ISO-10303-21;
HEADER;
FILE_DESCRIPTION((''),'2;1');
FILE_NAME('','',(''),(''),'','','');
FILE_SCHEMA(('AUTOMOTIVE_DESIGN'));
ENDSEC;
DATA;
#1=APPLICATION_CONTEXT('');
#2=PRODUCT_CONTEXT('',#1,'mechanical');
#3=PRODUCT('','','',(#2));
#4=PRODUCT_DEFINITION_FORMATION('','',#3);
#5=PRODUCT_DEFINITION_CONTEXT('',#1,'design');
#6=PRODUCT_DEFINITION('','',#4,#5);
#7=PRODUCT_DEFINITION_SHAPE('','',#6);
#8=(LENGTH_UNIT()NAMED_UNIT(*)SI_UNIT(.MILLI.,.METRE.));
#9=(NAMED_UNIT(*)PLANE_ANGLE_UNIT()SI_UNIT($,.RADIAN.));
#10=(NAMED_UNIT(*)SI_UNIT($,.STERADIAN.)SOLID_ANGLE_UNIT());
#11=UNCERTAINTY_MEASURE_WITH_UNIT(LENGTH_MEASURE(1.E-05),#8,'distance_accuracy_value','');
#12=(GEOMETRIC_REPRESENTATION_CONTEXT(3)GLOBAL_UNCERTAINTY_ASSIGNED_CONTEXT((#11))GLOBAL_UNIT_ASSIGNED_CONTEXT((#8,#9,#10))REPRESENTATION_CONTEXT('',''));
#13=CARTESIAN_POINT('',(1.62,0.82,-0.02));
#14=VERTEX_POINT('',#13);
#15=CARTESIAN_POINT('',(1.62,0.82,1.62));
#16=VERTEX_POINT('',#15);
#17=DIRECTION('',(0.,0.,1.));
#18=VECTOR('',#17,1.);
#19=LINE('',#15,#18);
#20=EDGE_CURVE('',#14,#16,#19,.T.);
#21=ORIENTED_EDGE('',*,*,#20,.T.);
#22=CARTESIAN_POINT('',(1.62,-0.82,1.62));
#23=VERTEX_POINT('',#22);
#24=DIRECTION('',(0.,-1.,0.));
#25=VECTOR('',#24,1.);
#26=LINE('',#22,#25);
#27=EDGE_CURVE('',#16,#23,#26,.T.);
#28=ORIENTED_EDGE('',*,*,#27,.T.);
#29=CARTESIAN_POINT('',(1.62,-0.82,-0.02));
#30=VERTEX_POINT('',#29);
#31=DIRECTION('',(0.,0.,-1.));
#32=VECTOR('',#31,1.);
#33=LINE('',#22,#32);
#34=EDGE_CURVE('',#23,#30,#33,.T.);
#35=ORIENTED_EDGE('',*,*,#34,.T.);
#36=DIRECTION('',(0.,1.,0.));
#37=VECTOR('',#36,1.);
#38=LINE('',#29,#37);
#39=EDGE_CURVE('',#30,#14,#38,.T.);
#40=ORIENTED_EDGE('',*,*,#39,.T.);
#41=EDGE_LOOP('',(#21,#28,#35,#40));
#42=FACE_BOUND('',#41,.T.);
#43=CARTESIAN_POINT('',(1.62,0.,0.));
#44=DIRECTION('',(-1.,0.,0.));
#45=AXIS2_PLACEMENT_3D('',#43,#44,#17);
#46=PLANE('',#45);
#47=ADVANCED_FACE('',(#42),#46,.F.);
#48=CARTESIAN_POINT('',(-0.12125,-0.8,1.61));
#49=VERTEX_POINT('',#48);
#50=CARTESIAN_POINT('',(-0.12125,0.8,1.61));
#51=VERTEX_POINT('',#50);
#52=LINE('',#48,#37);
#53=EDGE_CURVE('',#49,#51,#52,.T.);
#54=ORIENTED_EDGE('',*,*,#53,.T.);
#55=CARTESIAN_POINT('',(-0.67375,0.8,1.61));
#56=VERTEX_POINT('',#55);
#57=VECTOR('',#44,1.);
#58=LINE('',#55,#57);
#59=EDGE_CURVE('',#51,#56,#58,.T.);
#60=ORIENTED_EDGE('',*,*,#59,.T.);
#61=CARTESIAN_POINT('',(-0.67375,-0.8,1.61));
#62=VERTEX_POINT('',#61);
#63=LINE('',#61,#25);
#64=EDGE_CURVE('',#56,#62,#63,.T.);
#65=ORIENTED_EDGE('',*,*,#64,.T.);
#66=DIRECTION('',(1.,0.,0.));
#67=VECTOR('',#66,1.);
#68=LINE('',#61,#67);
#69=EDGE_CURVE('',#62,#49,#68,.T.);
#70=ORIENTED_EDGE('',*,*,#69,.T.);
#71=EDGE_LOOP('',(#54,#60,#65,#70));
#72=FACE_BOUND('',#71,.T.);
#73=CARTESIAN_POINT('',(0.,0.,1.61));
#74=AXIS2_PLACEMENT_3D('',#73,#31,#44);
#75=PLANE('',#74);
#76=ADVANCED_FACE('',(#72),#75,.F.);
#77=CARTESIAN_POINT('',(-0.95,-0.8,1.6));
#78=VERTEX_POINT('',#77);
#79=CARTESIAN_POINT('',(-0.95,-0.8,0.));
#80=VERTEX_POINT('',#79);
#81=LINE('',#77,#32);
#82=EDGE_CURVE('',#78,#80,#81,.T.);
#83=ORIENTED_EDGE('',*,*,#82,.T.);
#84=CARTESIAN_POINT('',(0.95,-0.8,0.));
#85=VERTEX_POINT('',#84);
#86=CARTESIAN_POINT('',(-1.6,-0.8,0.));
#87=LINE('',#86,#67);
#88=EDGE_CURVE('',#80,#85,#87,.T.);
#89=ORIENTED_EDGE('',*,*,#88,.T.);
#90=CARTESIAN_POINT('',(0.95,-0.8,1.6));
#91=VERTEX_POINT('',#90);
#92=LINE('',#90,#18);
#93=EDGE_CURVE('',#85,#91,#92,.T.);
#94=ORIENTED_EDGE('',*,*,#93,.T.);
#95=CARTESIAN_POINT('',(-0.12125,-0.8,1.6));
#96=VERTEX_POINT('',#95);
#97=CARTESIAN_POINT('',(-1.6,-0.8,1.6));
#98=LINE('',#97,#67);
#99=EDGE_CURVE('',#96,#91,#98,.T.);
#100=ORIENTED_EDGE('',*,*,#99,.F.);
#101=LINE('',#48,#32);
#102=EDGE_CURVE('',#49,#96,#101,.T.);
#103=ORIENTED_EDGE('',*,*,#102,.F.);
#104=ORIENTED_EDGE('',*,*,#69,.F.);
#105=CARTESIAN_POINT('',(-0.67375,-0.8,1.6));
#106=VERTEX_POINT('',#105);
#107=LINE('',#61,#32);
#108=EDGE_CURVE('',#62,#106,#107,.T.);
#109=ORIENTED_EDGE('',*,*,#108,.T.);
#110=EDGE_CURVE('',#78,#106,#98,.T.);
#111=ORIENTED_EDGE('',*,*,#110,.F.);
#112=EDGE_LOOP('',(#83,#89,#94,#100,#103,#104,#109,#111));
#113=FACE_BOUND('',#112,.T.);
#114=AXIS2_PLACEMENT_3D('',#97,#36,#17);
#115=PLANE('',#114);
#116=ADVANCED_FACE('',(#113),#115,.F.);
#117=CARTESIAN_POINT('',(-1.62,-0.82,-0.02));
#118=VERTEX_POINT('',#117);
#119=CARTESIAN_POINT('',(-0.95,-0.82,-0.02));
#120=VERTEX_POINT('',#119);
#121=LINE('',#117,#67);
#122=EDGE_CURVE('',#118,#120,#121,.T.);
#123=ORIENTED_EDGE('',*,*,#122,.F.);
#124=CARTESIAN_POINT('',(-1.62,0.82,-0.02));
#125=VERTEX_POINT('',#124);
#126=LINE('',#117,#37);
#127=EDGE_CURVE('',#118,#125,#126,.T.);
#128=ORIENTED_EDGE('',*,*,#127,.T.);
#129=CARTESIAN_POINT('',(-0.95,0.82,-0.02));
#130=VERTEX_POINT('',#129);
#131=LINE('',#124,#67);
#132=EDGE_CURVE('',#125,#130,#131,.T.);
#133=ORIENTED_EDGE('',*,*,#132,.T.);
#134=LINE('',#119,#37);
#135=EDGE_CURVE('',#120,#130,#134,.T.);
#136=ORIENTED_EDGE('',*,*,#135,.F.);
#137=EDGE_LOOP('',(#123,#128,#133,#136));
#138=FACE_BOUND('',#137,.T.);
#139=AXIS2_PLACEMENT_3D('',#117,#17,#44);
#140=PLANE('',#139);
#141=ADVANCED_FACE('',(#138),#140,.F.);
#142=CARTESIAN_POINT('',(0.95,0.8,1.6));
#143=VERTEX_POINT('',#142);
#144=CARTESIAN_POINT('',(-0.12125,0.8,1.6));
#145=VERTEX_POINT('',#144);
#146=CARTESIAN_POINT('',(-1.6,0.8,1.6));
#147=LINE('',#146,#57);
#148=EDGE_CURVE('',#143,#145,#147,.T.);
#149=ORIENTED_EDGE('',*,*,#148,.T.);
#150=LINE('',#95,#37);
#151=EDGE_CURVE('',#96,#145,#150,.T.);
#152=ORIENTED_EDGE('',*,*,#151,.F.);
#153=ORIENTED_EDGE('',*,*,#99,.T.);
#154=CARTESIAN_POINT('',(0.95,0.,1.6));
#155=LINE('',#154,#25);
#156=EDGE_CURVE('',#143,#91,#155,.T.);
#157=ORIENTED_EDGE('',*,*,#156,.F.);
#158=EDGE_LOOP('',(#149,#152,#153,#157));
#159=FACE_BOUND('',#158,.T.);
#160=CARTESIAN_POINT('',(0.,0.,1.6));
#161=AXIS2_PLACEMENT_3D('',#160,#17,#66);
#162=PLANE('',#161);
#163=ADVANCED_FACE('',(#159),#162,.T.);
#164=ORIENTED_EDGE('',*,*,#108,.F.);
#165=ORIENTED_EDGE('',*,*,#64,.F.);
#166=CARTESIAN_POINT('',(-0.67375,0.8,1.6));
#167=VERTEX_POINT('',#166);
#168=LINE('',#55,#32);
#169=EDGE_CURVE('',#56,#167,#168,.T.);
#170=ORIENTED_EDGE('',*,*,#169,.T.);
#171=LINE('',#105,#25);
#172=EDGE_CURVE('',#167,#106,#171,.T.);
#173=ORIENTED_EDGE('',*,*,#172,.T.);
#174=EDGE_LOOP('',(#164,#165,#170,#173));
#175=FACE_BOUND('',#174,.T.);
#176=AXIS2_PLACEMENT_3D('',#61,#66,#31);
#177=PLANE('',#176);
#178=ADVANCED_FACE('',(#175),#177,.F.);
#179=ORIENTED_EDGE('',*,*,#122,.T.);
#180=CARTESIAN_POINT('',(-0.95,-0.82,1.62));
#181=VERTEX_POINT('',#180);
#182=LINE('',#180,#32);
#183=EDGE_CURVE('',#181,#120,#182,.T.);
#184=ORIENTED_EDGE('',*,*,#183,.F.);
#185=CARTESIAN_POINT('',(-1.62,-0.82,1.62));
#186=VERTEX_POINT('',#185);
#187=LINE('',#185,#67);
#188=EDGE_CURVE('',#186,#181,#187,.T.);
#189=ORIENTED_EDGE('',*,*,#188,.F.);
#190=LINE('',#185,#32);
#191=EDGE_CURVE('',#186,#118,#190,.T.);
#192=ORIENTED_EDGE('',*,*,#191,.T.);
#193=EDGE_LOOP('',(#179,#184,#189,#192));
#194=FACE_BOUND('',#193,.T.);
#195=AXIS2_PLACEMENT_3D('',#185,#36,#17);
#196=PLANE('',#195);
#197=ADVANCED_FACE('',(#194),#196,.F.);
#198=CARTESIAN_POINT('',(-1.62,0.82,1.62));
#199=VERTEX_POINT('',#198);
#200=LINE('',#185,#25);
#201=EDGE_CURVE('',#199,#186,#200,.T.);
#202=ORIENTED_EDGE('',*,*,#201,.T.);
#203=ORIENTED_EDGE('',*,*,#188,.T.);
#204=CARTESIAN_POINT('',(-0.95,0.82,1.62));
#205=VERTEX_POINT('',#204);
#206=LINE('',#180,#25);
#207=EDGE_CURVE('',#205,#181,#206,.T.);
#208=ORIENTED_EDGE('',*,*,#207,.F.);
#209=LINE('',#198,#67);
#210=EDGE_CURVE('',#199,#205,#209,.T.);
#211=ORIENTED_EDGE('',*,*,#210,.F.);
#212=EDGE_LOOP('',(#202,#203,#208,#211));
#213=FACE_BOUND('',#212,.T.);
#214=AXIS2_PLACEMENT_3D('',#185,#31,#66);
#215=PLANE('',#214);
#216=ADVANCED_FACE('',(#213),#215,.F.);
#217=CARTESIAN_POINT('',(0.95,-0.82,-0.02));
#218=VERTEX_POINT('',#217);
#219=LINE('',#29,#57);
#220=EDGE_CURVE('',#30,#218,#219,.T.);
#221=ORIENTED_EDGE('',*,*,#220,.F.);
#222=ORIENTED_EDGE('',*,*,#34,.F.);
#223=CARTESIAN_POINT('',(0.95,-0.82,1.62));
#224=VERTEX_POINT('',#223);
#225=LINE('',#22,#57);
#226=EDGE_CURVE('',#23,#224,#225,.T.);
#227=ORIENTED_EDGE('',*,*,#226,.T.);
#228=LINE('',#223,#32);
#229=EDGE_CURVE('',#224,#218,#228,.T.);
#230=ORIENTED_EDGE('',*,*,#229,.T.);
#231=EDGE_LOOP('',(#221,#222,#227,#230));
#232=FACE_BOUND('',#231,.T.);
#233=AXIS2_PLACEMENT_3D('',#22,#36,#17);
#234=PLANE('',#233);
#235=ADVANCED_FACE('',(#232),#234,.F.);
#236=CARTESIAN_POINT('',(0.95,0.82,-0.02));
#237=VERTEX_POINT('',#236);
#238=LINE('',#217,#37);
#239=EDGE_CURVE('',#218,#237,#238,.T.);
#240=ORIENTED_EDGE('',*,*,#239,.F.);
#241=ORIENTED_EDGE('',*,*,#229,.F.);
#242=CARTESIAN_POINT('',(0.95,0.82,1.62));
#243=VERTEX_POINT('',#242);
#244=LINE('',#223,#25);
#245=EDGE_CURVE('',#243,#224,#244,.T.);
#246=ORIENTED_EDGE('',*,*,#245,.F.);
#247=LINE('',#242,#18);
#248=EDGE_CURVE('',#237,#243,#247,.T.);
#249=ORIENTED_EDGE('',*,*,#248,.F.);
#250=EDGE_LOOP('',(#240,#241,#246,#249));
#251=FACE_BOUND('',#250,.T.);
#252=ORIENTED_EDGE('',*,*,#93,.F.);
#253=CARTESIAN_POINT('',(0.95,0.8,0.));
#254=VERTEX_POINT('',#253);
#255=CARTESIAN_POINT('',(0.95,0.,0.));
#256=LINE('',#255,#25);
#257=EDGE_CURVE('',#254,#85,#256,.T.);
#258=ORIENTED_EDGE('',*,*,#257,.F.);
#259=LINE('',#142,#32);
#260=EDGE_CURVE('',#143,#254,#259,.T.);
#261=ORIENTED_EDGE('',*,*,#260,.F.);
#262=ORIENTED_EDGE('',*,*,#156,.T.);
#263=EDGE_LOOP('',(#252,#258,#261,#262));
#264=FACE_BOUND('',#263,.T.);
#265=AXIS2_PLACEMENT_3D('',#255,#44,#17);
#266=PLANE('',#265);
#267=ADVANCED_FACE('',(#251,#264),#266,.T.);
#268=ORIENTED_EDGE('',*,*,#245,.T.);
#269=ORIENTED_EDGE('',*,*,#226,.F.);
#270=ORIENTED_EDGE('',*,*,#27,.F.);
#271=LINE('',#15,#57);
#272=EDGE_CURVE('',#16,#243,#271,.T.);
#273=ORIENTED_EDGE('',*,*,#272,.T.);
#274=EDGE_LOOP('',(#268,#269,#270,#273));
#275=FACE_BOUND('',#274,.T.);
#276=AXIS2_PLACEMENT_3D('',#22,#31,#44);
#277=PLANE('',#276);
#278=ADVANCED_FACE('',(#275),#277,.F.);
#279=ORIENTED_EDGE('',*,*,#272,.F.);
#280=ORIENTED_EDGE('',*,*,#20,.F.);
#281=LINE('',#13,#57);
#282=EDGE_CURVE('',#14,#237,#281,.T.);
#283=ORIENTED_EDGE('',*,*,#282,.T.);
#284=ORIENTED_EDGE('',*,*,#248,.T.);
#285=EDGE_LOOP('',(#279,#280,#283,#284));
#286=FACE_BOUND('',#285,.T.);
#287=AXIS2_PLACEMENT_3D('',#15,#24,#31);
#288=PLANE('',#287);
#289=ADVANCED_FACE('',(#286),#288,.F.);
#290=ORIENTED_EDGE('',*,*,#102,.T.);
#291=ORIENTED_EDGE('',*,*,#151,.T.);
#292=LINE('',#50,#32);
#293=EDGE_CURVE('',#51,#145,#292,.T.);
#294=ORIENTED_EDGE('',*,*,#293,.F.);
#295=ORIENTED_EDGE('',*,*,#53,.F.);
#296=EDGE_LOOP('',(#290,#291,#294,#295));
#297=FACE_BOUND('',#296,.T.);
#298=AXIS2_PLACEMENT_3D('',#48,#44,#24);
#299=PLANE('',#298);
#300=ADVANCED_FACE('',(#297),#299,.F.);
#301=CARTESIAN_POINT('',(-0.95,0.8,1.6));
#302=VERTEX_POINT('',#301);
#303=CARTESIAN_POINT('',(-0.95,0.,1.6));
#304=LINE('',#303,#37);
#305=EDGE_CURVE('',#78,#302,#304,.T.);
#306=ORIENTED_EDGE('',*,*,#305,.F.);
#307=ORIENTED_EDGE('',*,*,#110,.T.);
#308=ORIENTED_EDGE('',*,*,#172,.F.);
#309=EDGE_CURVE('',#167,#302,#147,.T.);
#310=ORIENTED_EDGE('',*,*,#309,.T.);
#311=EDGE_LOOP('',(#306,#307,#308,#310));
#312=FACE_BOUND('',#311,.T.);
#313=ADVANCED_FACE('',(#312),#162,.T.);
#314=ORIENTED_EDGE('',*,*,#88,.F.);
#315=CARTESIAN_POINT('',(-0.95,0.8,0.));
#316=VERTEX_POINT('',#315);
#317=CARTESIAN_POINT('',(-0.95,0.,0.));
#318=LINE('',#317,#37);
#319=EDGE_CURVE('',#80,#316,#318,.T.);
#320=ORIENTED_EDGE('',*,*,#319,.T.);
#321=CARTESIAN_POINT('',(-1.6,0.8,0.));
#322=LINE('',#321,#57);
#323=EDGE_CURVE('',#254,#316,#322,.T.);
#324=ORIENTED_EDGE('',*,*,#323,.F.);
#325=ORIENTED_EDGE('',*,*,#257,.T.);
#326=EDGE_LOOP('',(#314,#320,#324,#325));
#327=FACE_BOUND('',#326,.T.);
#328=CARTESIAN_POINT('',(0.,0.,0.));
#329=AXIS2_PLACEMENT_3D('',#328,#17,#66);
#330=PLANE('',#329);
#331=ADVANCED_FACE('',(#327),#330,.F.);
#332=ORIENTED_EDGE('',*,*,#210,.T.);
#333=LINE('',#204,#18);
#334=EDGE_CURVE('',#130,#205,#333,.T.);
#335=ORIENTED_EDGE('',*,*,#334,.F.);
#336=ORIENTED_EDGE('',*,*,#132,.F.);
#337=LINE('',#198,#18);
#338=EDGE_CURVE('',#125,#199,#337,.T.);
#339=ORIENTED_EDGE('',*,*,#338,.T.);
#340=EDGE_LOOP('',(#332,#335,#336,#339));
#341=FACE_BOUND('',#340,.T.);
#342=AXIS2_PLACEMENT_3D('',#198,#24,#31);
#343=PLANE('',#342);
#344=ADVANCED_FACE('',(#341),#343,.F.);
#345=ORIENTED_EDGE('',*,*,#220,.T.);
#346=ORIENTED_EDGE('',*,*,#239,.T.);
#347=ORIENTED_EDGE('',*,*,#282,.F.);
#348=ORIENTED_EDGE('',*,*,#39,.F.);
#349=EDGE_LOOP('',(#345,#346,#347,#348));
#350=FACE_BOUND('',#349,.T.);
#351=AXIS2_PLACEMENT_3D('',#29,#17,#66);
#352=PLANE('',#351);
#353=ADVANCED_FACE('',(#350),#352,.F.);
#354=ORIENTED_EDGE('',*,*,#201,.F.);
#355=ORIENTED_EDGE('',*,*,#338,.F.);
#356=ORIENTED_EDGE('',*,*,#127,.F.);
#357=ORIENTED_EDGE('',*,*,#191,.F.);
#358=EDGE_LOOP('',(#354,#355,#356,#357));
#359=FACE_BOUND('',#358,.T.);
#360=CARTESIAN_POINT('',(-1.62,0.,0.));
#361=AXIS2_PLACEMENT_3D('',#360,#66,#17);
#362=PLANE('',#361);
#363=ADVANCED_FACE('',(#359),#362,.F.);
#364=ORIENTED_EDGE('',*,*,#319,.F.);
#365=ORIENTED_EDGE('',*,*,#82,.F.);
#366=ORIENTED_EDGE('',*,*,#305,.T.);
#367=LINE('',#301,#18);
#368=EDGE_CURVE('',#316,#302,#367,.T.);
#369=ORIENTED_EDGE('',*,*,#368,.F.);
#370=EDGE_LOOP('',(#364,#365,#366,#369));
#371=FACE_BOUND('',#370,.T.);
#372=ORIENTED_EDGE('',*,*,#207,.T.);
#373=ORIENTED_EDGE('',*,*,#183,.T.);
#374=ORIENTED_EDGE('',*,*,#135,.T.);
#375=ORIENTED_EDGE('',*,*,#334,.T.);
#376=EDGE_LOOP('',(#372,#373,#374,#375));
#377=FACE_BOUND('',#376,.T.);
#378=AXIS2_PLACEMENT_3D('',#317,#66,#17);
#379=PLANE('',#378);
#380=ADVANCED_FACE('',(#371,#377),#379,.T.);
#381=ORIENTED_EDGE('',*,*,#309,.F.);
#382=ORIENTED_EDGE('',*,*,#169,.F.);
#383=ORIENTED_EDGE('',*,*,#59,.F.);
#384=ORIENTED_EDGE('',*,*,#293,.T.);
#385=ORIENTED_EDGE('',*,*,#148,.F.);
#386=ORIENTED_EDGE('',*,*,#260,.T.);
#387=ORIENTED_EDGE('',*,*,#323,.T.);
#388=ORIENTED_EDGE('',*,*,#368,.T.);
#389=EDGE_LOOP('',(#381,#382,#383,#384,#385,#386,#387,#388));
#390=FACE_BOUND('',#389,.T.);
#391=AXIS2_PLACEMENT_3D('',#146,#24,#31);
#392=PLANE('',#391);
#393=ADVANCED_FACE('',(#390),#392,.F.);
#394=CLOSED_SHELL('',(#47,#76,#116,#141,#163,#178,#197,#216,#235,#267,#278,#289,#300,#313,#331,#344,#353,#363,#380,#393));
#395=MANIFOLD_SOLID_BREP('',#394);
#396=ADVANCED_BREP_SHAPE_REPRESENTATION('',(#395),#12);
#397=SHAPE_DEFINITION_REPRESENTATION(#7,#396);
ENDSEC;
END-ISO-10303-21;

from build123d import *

# Parameters (mm, degrees)
SKETCH1_W           = 3.2
SKETCH1_H           = 1.6
BOSS_EXTRUDE1_DEPTH = 1.6
BOSS_EXTRUDE2_START = -0.65
SKETCH2_W           = 1.64
SKETCH2_H           = 1.64
BOSS_EXTRUDE2_DEPTH = 0.67
SKETCH3_W           = 0.5525
SKETCH3_H           = 1.6
BOSS_EXTRUDE3_DEPTH = 0.01


with BuildPart() as part:
    # Sketch1 → Boss-Extrude1 (new body)
    with BuildSketch(Plane.XY):
        Rectangle(SKETCH1_W, SKETCH1_H)
    extrude(amount=BOSS_EXTRUDE1_DEPTH)

    # Sketch2 → Boss-Extrude2 (add)
    with BuildSketch(Plane(origin=(1.6, 0, 0), x_dir=(0, 0, -1), z_dir=(1, 0, 0)).offset(BOSS_EXTRUDE2_START)):
        with Locations((-0.8, 0)):
            Rectangle(SKETCH2_W, SKETCH2_H)
    boss_extrude2 = extrude(amount=BOSS_EXTRUDE2_DEPTH)

    # Mirror1: Boss-Extrude2 across plane
    add(boss_extrude2.mirror(Plane(origin=(0, 0, 0), x_dir=(0, 0, 1), z_dir=(1, 0, 0))))

    # Sketch3 → Boss-Extrude3 (add)
    with BuildSketch(Plane.XY.offset(1.6)):
        with Locations((-0.3975, 0)):
            Rectangle(SKETCH3_W, SKETCH3_H)
    extrude(amount=BOSS_EXTRUDE3_DEPTH)


solid = part.part
